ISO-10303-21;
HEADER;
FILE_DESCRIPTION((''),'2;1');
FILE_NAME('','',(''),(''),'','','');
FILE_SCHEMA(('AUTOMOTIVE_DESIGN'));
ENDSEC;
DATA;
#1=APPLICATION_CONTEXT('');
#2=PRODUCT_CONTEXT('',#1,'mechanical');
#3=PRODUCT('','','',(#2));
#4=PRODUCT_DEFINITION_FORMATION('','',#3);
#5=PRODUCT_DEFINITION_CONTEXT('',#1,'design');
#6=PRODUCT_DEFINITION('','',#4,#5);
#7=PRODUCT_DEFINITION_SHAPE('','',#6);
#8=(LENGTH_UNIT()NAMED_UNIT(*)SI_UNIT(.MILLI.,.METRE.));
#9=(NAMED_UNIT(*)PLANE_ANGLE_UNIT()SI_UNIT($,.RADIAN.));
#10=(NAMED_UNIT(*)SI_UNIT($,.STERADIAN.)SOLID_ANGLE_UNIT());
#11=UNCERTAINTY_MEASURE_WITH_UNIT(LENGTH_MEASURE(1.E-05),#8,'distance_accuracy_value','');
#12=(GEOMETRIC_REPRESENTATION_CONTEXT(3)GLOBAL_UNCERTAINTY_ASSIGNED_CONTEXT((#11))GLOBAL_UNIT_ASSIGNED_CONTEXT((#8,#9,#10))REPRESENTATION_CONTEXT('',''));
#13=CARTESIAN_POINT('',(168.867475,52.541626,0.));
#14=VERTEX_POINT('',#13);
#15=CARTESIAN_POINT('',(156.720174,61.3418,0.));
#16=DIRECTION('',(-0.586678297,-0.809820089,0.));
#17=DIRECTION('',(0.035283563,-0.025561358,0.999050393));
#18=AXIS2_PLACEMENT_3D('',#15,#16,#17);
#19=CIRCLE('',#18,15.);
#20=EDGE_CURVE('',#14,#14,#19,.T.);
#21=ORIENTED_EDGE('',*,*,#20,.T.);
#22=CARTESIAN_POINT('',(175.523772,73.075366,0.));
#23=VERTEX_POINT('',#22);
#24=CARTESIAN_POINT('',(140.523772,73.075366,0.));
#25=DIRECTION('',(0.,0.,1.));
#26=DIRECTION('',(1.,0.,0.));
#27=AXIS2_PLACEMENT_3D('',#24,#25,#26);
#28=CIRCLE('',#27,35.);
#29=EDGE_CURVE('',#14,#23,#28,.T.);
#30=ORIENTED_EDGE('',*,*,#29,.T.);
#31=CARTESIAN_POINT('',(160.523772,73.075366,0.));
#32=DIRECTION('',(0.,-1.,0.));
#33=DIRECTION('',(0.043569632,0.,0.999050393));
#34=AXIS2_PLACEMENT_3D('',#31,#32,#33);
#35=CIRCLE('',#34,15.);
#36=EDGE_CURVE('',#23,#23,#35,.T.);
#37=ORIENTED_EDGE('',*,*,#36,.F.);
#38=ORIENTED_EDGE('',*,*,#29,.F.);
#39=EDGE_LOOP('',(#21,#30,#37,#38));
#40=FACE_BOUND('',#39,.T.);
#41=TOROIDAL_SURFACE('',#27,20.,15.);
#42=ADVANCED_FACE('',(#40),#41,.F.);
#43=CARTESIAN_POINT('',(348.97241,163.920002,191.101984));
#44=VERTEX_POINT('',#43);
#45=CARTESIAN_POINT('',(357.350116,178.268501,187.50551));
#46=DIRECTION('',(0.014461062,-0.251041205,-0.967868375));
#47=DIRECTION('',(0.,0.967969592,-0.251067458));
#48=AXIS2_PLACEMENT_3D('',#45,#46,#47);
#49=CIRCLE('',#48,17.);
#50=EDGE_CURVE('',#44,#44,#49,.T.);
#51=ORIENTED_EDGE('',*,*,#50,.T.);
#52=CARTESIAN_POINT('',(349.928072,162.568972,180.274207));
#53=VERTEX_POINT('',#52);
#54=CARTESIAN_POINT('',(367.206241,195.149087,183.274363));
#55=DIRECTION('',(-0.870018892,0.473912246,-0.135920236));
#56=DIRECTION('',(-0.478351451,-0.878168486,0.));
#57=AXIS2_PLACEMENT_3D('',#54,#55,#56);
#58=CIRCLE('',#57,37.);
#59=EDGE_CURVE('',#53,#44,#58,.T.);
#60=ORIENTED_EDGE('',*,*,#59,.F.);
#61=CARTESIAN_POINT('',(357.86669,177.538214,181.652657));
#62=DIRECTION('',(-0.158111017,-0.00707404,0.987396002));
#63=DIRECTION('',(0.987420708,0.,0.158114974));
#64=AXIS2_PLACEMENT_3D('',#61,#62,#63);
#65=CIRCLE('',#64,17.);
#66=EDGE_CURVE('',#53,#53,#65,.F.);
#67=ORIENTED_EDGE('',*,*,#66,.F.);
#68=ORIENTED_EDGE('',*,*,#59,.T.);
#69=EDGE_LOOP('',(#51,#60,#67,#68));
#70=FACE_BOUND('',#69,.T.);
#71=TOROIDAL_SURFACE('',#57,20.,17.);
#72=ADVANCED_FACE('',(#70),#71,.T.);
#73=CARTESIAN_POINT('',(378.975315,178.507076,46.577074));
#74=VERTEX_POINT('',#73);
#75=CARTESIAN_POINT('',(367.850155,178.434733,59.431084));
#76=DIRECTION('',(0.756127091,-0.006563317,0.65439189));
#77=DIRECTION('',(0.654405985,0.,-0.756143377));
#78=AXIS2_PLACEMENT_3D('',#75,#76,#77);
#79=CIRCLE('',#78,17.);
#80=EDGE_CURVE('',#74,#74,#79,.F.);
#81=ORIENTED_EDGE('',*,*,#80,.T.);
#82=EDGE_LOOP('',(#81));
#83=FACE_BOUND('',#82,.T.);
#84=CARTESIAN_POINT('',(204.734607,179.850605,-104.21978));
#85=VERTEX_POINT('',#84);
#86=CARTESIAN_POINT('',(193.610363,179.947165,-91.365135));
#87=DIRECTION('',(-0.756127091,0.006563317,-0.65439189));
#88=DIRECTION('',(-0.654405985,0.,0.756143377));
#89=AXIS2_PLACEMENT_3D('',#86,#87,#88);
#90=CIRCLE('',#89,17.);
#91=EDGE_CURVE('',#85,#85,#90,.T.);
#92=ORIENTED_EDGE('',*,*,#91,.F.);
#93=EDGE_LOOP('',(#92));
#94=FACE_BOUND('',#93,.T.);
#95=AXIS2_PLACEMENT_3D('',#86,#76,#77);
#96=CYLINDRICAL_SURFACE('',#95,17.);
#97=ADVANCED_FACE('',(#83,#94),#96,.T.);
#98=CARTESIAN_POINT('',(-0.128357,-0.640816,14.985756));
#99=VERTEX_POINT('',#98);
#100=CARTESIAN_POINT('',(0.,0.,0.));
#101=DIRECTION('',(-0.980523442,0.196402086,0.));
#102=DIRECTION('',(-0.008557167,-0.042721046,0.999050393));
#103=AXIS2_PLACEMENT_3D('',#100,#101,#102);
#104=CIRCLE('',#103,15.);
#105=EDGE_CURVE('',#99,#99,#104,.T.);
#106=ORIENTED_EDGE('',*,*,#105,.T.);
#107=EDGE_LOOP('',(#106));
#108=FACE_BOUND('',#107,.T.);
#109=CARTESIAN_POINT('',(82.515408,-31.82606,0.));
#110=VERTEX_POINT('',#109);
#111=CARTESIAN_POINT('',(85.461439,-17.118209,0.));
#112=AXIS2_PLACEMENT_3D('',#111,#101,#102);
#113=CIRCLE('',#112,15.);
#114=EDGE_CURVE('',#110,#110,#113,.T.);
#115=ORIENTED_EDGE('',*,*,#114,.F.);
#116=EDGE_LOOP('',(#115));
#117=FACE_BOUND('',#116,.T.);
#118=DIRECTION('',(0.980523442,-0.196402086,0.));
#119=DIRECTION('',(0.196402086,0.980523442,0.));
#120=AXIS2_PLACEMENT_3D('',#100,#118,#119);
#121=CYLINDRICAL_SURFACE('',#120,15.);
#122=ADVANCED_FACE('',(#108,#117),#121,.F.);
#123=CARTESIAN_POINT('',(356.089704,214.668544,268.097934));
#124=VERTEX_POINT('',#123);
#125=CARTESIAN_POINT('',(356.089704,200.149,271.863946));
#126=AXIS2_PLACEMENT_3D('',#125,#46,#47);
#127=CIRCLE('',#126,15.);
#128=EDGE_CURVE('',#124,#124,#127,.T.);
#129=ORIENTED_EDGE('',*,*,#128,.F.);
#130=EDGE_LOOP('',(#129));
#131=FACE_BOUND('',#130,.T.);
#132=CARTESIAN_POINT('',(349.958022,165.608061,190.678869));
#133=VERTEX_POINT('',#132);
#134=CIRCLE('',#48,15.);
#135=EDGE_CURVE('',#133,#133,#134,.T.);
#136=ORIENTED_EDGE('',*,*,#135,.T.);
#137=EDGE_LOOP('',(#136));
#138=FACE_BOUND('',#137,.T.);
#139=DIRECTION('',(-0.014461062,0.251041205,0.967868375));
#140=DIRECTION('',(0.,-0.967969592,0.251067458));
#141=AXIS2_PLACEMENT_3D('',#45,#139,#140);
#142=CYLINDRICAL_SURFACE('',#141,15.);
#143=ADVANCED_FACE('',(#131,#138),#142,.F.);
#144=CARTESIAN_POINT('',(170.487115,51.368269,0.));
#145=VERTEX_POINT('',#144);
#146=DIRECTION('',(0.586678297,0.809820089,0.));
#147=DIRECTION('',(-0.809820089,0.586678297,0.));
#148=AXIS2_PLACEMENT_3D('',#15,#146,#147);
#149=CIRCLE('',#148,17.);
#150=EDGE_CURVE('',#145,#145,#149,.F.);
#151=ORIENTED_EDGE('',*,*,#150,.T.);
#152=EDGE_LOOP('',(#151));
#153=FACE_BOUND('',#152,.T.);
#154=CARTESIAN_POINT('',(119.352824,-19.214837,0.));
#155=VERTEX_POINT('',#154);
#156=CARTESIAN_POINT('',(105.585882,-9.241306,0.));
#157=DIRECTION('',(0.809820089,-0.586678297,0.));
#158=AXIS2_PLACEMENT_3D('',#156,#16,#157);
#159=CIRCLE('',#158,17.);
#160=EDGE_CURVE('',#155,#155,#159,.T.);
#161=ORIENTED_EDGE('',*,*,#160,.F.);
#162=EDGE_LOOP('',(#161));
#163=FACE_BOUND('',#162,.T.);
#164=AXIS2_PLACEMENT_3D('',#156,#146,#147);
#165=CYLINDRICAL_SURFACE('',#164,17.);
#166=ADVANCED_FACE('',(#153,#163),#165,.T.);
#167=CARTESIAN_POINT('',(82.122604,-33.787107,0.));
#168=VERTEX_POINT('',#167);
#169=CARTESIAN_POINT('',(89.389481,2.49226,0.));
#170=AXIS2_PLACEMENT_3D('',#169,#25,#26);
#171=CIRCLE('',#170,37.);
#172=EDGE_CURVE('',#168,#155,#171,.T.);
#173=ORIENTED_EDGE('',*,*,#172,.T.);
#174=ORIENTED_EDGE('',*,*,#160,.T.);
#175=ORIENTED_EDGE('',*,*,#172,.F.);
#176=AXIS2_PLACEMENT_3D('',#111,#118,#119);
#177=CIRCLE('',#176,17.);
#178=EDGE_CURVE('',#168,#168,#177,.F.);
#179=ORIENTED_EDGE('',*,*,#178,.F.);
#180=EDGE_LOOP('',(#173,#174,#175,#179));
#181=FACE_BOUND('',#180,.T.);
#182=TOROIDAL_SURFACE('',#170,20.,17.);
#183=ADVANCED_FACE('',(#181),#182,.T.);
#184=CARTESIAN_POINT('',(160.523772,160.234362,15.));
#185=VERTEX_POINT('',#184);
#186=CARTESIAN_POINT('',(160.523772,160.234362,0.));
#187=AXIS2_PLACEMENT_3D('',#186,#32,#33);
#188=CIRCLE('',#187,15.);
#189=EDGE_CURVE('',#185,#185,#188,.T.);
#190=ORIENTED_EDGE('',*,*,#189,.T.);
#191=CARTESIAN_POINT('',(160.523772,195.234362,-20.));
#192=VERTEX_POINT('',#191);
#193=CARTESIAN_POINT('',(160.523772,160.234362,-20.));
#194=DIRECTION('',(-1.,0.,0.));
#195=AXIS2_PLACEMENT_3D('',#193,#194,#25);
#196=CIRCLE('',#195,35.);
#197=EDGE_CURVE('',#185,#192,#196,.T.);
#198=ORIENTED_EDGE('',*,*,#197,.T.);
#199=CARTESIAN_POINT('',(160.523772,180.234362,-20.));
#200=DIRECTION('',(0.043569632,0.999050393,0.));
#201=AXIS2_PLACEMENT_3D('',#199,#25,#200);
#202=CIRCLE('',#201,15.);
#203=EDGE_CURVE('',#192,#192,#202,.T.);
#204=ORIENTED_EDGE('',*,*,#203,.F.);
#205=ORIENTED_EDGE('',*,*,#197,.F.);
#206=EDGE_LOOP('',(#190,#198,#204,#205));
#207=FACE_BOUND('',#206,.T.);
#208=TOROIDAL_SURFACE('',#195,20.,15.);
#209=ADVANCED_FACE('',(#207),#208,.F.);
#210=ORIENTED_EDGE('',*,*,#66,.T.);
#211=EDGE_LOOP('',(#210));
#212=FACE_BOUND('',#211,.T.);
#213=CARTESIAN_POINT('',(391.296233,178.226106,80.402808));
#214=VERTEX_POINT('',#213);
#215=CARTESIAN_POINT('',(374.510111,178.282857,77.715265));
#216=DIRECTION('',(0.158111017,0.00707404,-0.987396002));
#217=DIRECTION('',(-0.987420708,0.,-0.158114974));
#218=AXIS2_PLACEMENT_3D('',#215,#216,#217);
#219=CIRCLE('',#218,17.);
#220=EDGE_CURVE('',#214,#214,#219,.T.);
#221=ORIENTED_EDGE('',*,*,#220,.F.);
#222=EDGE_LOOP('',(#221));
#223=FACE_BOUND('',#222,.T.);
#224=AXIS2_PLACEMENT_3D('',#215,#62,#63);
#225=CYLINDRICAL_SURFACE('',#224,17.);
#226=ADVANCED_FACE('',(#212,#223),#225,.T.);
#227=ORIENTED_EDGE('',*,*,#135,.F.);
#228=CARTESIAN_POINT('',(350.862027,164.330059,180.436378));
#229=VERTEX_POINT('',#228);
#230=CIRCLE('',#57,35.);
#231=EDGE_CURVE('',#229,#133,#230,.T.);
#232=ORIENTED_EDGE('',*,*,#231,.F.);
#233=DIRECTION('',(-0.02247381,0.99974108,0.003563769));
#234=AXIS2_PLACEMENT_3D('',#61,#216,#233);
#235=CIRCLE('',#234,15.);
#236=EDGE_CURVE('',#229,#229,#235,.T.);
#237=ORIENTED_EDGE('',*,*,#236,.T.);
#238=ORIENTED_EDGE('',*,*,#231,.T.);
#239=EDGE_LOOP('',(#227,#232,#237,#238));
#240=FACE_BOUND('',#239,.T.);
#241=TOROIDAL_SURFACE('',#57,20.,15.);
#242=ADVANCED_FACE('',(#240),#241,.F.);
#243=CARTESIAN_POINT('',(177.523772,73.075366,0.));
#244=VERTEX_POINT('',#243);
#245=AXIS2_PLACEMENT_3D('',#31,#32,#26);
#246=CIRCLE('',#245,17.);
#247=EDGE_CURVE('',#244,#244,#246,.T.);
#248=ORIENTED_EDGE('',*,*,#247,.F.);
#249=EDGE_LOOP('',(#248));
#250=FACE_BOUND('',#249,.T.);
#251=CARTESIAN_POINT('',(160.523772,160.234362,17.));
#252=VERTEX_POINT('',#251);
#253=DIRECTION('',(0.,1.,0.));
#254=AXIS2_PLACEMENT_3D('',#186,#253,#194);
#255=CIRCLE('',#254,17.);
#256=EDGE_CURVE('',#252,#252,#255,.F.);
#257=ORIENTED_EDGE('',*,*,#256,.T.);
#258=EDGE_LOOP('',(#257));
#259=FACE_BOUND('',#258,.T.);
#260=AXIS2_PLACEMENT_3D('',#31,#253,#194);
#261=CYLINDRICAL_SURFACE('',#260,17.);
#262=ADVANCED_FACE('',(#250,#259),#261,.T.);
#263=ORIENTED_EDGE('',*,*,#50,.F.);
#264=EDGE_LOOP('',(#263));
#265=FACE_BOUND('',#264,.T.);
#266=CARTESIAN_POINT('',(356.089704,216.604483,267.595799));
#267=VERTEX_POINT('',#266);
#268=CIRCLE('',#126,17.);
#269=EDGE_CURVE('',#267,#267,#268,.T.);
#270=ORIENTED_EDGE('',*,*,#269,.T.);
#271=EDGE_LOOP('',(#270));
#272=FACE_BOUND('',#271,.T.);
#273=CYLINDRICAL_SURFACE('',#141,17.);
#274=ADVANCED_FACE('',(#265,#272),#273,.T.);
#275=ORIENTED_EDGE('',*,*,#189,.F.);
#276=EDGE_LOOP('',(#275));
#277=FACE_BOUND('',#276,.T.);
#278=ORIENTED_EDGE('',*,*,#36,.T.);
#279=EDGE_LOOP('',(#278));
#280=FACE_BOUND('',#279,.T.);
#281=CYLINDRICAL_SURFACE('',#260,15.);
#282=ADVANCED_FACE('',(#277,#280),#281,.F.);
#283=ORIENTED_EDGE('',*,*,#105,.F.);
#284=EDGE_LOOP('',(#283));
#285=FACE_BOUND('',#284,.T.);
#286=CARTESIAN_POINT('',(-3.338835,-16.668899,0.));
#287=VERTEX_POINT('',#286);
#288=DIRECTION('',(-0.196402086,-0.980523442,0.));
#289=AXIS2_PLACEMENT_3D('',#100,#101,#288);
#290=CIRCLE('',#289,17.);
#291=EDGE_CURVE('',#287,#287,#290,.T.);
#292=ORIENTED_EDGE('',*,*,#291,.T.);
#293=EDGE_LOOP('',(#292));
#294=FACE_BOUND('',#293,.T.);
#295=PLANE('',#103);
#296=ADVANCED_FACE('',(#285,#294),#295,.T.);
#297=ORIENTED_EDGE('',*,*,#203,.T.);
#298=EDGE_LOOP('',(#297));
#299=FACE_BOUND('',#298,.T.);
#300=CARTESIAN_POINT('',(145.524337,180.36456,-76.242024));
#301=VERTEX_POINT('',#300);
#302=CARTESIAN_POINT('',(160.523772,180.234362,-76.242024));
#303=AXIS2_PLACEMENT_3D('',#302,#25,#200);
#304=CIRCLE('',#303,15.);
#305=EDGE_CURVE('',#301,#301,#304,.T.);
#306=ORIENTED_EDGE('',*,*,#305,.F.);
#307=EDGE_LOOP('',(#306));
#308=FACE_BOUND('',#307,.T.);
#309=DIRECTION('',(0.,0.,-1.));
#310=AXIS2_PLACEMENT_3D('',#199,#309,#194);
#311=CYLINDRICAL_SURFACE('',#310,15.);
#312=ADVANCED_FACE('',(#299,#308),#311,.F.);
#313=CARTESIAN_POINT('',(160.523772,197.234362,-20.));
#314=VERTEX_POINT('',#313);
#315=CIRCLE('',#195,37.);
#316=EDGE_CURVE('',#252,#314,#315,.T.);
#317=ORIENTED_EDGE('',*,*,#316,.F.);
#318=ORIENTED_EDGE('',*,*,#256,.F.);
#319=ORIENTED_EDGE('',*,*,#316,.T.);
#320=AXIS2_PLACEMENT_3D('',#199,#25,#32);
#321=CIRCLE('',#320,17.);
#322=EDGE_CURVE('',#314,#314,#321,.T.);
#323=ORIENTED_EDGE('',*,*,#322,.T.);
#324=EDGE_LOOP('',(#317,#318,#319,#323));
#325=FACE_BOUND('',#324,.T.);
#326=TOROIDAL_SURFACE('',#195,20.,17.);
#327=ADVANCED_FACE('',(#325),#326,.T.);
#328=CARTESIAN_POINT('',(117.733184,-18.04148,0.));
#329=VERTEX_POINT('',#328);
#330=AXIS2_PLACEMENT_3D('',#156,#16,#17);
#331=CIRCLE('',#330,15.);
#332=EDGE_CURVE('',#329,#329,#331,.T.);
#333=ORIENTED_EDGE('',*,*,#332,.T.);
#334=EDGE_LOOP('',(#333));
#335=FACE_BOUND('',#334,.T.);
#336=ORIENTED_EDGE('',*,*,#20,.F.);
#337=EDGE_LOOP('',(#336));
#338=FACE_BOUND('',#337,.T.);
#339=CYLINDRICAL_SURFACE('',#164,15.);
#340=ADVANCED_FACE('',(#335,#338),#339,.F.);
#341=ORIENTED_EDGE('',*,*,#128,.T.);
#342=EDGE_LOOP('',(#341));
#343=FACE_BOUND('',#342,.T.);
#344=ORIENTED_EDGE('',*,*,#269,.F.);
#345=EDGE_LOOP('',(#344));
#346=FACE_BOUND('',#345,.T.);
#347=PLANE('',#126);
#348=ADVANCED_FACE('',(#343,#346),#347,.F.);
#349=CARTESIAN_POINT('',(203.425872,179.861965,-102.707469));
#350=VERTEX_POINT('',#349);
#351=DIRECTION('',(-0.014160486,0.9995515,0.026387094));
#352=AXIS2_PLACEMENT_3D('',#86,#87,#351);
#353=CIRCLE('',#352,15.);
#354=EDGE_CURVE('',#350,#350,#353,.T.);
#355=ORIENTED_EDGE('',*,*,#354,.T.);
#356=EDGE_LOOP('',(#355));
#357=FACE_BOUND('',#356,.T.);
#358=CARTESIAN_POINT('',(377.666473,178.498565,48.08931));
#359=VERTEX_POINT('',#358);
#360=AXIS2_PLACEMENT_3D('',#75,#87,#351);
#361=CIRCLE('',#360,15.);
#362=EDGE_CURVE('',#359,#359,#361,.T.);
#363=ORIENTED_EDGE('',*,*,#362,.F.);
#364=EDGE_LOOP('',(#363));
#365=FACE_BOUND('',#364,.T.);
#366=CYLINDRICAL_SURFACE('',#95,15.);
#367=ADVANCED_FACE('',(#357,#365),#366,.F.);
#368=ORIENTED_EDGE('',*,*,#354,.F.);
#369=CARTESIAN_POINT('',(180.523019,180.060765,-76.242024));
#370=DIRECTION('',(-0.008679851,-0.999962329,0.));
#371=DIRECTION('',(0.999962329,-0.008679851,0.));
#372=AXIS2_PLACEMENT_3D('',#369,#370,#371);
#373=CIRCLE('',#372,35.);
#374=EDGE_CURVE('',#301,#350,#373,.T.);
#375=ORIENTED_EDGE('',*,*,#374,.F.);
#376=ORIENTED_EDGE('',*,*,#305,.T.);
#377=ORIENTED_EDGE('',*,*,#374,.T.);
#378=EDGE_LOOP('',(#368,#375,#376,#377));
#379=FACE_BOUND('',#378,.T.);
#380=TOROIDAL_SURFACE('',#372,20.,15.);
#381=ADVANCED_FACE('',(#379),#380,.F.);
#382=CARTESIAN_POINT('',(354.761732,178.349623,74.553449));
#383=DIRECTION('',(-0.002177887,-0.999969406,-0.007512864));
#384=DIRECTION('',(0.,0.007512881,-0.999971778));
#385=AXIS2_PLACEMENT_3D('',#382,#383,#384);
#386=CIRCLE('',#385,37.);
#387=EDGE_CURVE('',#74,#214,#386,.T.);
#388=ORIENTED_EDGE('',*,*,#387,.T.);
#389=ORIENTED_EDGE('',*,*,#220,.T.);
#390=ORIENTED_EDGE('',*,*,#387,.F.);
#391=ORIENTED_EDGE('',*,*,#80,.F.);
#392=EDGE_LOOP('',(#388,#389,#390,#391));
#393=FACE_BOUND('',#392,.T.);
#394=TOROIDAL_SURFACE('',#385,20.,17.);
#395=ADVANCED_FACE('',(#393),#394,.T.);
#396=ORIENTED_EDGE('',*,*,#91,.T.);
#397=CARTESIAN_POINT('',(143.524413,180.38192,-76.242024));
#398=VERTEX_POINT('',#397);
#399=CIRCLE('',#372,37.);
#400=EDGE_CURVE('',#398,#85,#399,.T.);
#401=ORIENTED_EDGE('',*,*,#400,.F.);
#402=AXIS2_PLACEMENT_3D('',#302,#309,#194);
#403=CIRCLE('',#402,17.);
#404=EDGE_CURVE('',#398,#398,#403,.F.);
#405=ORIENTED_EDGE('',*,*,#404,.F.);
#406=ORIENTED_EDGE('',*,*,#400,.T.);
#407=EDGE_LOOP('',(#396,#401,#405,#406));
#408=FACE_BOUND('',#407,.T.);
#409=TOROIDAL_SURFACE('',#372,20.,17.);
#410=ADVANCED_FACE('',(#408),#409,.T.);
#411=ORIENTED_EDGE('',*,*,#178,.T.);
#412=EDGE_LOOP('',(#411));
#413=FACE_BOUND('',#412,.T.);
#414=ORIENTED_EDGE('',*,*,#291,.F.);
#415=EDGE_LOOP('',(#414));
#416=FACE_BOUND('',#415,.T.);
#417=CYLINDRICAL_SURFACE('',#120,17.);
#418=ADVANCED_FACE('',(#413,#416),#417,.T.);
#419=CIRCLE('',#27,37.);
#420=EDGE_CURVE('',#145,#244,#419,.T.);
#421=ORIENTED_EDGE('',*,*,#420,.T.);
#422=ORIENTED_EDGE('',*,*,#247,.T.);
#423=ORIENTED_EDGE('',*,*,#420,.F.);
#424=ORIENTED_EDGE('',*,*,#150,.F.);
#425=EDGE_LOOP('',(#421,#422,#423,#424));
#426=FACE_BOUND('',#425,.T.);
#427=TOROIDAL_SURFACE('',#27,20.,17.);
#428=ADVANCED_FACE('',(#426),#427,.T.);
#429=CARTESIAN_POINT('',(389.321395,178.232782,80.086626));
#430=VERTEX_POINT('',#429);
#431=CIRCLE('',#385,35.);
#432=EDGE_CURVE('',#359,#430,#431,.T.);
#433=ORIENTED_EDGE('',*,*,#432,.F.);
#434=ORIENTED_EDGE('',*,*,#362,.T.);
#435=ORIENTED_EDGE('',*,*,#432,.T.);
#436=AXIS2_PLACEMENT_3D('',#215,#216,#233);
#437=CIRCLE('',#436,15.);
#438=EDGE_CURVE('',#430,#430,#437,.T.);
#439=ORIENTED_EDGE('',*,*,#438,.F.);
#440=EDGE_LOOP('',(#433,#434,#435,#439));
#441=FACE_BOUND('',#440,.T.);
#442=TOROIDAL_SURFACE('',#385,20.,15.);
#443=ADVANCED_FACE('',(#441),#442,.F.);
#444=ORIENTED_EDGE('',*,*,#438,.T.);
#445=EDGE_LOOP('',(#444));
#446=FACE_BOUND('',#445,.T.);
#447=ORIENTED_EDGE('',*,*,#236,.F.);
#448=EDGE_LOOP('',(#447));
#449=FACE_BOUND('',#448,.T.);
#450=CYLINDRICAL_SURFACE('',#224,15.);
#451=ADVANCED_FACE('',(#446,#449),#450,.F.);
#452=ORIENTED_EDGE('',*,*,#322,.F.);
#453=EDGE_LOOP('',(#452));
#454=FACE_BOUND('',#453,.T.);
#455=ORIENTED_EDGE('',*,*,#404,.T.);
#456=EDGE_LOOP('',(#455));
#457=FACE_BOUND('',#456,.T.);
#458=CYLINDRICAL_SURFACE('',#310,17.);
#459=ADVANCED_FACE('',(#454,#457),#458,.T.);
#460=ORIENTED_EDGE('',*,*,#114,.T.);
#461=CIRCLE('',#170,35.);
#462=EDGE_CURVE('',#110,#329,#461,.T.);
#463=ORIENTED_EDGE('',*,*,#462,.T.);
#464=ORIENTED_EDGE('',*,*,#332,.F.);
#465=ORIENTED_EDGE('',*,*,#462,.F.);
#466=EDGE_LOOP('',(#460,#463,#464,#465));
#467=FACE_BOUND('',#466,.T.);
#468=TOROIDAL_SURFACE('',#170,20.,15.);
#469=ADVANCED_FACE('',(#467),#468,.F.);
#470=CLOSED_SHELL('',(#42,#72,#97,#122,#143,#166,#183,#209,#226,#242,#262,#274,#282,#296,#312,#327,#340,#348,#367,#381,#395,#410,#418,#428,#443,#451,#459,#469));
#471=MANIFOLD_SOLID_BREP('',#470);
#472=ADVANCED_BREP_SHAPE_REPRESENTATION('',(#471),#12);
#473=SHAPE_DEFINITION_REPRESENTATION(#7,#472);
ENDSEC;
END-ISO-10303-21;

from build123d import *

# Parameters (mm, degrees)
SWEEP_THIN1_PROFILE_R   = 17
SWEEP_THIN1_PROFILE_R_2 = 15


with BuildPart() as part:
    # Sweep-Thin1: sweep along a curve in space
    with BuildLine() as sweep_thin1_path:
        Line((0, 0, 0), (85.461438973, -17.118208641, 0))
        ThreePointArc((105.585882461, -9.241305733, 0), (96.679169603, -16.131929323, 0), (85.461438973, -17.118208641, 0))
        Line((105.585882461, -9.241305733, 0), (156.720173902, 61.3418003, 0))
        ThreePointArc((156.720173902, 61.3418003, 0), (159.549124102, 66.908034377, 0), (160.523772128, 73.075366236, 0))
        Line((160.523772128, 73.075366236, 0), (160.523772128, 160.234362435, 0))
        ThreePointArc((160.523772128, 180.234362435, -20), (160.523772128, 174.376498058, -5.857864376), (160.523772128, 160.234362435, 0))
        Line((160.523772128, 180.234362435, -20), (160.523772128, 180.234362435, -76.242023657))
        ThreePointArc((193.610363482, 179.947164947, -91.365135171), (172.209390479, 180.132929193, -94.432086272), (160.523772128, 180.234362435, -76.242023657))
        Line((193.610363482, 179.947164947, -91.365135171), (367.850155379, 178.434732618, 59.431084216))
        ThreePointArc((374.510110602, 178.282856784, 77.715264739), (373.553938417, 178.360120784, 67.708534336), (367.850155379, 178.434732618, 59.431084216))
        Line((374.510110602, 178.282856784, 77.715264739), (357.866690044, 177.538214036, 181.652657468))
        ThreePointArc((357.350115971, 178.268500838, 187.505509716), (357.501498599, 177.71126787, 184.593616067), (357.866690044, 177.538214036, 181.652657468))
        Line((357.350115971, 178.268500838, 187.505509716), (356.089704324, 200.149000262, 271.863945724))
    # Sweep-Thin1 profile (on start of the path) → Sweep-Thin1 (sweep)
    with BuildSketch(Plane(origin=(0, 0, 0), x_dir=(0.19640208570075895, 0.9805234422146121, 0), z_dir=(0.9805234422146121, -0.19640208570075895, 0))):
        Circle(SWEEP_THIN1_PROFILE_R)
        Circle(SWEEP_THIN1_PROFILE_R_2, mode=Mode.SUBTRACT)
    sweep(path=sweep_thin1_path.line)


solid = part.part
